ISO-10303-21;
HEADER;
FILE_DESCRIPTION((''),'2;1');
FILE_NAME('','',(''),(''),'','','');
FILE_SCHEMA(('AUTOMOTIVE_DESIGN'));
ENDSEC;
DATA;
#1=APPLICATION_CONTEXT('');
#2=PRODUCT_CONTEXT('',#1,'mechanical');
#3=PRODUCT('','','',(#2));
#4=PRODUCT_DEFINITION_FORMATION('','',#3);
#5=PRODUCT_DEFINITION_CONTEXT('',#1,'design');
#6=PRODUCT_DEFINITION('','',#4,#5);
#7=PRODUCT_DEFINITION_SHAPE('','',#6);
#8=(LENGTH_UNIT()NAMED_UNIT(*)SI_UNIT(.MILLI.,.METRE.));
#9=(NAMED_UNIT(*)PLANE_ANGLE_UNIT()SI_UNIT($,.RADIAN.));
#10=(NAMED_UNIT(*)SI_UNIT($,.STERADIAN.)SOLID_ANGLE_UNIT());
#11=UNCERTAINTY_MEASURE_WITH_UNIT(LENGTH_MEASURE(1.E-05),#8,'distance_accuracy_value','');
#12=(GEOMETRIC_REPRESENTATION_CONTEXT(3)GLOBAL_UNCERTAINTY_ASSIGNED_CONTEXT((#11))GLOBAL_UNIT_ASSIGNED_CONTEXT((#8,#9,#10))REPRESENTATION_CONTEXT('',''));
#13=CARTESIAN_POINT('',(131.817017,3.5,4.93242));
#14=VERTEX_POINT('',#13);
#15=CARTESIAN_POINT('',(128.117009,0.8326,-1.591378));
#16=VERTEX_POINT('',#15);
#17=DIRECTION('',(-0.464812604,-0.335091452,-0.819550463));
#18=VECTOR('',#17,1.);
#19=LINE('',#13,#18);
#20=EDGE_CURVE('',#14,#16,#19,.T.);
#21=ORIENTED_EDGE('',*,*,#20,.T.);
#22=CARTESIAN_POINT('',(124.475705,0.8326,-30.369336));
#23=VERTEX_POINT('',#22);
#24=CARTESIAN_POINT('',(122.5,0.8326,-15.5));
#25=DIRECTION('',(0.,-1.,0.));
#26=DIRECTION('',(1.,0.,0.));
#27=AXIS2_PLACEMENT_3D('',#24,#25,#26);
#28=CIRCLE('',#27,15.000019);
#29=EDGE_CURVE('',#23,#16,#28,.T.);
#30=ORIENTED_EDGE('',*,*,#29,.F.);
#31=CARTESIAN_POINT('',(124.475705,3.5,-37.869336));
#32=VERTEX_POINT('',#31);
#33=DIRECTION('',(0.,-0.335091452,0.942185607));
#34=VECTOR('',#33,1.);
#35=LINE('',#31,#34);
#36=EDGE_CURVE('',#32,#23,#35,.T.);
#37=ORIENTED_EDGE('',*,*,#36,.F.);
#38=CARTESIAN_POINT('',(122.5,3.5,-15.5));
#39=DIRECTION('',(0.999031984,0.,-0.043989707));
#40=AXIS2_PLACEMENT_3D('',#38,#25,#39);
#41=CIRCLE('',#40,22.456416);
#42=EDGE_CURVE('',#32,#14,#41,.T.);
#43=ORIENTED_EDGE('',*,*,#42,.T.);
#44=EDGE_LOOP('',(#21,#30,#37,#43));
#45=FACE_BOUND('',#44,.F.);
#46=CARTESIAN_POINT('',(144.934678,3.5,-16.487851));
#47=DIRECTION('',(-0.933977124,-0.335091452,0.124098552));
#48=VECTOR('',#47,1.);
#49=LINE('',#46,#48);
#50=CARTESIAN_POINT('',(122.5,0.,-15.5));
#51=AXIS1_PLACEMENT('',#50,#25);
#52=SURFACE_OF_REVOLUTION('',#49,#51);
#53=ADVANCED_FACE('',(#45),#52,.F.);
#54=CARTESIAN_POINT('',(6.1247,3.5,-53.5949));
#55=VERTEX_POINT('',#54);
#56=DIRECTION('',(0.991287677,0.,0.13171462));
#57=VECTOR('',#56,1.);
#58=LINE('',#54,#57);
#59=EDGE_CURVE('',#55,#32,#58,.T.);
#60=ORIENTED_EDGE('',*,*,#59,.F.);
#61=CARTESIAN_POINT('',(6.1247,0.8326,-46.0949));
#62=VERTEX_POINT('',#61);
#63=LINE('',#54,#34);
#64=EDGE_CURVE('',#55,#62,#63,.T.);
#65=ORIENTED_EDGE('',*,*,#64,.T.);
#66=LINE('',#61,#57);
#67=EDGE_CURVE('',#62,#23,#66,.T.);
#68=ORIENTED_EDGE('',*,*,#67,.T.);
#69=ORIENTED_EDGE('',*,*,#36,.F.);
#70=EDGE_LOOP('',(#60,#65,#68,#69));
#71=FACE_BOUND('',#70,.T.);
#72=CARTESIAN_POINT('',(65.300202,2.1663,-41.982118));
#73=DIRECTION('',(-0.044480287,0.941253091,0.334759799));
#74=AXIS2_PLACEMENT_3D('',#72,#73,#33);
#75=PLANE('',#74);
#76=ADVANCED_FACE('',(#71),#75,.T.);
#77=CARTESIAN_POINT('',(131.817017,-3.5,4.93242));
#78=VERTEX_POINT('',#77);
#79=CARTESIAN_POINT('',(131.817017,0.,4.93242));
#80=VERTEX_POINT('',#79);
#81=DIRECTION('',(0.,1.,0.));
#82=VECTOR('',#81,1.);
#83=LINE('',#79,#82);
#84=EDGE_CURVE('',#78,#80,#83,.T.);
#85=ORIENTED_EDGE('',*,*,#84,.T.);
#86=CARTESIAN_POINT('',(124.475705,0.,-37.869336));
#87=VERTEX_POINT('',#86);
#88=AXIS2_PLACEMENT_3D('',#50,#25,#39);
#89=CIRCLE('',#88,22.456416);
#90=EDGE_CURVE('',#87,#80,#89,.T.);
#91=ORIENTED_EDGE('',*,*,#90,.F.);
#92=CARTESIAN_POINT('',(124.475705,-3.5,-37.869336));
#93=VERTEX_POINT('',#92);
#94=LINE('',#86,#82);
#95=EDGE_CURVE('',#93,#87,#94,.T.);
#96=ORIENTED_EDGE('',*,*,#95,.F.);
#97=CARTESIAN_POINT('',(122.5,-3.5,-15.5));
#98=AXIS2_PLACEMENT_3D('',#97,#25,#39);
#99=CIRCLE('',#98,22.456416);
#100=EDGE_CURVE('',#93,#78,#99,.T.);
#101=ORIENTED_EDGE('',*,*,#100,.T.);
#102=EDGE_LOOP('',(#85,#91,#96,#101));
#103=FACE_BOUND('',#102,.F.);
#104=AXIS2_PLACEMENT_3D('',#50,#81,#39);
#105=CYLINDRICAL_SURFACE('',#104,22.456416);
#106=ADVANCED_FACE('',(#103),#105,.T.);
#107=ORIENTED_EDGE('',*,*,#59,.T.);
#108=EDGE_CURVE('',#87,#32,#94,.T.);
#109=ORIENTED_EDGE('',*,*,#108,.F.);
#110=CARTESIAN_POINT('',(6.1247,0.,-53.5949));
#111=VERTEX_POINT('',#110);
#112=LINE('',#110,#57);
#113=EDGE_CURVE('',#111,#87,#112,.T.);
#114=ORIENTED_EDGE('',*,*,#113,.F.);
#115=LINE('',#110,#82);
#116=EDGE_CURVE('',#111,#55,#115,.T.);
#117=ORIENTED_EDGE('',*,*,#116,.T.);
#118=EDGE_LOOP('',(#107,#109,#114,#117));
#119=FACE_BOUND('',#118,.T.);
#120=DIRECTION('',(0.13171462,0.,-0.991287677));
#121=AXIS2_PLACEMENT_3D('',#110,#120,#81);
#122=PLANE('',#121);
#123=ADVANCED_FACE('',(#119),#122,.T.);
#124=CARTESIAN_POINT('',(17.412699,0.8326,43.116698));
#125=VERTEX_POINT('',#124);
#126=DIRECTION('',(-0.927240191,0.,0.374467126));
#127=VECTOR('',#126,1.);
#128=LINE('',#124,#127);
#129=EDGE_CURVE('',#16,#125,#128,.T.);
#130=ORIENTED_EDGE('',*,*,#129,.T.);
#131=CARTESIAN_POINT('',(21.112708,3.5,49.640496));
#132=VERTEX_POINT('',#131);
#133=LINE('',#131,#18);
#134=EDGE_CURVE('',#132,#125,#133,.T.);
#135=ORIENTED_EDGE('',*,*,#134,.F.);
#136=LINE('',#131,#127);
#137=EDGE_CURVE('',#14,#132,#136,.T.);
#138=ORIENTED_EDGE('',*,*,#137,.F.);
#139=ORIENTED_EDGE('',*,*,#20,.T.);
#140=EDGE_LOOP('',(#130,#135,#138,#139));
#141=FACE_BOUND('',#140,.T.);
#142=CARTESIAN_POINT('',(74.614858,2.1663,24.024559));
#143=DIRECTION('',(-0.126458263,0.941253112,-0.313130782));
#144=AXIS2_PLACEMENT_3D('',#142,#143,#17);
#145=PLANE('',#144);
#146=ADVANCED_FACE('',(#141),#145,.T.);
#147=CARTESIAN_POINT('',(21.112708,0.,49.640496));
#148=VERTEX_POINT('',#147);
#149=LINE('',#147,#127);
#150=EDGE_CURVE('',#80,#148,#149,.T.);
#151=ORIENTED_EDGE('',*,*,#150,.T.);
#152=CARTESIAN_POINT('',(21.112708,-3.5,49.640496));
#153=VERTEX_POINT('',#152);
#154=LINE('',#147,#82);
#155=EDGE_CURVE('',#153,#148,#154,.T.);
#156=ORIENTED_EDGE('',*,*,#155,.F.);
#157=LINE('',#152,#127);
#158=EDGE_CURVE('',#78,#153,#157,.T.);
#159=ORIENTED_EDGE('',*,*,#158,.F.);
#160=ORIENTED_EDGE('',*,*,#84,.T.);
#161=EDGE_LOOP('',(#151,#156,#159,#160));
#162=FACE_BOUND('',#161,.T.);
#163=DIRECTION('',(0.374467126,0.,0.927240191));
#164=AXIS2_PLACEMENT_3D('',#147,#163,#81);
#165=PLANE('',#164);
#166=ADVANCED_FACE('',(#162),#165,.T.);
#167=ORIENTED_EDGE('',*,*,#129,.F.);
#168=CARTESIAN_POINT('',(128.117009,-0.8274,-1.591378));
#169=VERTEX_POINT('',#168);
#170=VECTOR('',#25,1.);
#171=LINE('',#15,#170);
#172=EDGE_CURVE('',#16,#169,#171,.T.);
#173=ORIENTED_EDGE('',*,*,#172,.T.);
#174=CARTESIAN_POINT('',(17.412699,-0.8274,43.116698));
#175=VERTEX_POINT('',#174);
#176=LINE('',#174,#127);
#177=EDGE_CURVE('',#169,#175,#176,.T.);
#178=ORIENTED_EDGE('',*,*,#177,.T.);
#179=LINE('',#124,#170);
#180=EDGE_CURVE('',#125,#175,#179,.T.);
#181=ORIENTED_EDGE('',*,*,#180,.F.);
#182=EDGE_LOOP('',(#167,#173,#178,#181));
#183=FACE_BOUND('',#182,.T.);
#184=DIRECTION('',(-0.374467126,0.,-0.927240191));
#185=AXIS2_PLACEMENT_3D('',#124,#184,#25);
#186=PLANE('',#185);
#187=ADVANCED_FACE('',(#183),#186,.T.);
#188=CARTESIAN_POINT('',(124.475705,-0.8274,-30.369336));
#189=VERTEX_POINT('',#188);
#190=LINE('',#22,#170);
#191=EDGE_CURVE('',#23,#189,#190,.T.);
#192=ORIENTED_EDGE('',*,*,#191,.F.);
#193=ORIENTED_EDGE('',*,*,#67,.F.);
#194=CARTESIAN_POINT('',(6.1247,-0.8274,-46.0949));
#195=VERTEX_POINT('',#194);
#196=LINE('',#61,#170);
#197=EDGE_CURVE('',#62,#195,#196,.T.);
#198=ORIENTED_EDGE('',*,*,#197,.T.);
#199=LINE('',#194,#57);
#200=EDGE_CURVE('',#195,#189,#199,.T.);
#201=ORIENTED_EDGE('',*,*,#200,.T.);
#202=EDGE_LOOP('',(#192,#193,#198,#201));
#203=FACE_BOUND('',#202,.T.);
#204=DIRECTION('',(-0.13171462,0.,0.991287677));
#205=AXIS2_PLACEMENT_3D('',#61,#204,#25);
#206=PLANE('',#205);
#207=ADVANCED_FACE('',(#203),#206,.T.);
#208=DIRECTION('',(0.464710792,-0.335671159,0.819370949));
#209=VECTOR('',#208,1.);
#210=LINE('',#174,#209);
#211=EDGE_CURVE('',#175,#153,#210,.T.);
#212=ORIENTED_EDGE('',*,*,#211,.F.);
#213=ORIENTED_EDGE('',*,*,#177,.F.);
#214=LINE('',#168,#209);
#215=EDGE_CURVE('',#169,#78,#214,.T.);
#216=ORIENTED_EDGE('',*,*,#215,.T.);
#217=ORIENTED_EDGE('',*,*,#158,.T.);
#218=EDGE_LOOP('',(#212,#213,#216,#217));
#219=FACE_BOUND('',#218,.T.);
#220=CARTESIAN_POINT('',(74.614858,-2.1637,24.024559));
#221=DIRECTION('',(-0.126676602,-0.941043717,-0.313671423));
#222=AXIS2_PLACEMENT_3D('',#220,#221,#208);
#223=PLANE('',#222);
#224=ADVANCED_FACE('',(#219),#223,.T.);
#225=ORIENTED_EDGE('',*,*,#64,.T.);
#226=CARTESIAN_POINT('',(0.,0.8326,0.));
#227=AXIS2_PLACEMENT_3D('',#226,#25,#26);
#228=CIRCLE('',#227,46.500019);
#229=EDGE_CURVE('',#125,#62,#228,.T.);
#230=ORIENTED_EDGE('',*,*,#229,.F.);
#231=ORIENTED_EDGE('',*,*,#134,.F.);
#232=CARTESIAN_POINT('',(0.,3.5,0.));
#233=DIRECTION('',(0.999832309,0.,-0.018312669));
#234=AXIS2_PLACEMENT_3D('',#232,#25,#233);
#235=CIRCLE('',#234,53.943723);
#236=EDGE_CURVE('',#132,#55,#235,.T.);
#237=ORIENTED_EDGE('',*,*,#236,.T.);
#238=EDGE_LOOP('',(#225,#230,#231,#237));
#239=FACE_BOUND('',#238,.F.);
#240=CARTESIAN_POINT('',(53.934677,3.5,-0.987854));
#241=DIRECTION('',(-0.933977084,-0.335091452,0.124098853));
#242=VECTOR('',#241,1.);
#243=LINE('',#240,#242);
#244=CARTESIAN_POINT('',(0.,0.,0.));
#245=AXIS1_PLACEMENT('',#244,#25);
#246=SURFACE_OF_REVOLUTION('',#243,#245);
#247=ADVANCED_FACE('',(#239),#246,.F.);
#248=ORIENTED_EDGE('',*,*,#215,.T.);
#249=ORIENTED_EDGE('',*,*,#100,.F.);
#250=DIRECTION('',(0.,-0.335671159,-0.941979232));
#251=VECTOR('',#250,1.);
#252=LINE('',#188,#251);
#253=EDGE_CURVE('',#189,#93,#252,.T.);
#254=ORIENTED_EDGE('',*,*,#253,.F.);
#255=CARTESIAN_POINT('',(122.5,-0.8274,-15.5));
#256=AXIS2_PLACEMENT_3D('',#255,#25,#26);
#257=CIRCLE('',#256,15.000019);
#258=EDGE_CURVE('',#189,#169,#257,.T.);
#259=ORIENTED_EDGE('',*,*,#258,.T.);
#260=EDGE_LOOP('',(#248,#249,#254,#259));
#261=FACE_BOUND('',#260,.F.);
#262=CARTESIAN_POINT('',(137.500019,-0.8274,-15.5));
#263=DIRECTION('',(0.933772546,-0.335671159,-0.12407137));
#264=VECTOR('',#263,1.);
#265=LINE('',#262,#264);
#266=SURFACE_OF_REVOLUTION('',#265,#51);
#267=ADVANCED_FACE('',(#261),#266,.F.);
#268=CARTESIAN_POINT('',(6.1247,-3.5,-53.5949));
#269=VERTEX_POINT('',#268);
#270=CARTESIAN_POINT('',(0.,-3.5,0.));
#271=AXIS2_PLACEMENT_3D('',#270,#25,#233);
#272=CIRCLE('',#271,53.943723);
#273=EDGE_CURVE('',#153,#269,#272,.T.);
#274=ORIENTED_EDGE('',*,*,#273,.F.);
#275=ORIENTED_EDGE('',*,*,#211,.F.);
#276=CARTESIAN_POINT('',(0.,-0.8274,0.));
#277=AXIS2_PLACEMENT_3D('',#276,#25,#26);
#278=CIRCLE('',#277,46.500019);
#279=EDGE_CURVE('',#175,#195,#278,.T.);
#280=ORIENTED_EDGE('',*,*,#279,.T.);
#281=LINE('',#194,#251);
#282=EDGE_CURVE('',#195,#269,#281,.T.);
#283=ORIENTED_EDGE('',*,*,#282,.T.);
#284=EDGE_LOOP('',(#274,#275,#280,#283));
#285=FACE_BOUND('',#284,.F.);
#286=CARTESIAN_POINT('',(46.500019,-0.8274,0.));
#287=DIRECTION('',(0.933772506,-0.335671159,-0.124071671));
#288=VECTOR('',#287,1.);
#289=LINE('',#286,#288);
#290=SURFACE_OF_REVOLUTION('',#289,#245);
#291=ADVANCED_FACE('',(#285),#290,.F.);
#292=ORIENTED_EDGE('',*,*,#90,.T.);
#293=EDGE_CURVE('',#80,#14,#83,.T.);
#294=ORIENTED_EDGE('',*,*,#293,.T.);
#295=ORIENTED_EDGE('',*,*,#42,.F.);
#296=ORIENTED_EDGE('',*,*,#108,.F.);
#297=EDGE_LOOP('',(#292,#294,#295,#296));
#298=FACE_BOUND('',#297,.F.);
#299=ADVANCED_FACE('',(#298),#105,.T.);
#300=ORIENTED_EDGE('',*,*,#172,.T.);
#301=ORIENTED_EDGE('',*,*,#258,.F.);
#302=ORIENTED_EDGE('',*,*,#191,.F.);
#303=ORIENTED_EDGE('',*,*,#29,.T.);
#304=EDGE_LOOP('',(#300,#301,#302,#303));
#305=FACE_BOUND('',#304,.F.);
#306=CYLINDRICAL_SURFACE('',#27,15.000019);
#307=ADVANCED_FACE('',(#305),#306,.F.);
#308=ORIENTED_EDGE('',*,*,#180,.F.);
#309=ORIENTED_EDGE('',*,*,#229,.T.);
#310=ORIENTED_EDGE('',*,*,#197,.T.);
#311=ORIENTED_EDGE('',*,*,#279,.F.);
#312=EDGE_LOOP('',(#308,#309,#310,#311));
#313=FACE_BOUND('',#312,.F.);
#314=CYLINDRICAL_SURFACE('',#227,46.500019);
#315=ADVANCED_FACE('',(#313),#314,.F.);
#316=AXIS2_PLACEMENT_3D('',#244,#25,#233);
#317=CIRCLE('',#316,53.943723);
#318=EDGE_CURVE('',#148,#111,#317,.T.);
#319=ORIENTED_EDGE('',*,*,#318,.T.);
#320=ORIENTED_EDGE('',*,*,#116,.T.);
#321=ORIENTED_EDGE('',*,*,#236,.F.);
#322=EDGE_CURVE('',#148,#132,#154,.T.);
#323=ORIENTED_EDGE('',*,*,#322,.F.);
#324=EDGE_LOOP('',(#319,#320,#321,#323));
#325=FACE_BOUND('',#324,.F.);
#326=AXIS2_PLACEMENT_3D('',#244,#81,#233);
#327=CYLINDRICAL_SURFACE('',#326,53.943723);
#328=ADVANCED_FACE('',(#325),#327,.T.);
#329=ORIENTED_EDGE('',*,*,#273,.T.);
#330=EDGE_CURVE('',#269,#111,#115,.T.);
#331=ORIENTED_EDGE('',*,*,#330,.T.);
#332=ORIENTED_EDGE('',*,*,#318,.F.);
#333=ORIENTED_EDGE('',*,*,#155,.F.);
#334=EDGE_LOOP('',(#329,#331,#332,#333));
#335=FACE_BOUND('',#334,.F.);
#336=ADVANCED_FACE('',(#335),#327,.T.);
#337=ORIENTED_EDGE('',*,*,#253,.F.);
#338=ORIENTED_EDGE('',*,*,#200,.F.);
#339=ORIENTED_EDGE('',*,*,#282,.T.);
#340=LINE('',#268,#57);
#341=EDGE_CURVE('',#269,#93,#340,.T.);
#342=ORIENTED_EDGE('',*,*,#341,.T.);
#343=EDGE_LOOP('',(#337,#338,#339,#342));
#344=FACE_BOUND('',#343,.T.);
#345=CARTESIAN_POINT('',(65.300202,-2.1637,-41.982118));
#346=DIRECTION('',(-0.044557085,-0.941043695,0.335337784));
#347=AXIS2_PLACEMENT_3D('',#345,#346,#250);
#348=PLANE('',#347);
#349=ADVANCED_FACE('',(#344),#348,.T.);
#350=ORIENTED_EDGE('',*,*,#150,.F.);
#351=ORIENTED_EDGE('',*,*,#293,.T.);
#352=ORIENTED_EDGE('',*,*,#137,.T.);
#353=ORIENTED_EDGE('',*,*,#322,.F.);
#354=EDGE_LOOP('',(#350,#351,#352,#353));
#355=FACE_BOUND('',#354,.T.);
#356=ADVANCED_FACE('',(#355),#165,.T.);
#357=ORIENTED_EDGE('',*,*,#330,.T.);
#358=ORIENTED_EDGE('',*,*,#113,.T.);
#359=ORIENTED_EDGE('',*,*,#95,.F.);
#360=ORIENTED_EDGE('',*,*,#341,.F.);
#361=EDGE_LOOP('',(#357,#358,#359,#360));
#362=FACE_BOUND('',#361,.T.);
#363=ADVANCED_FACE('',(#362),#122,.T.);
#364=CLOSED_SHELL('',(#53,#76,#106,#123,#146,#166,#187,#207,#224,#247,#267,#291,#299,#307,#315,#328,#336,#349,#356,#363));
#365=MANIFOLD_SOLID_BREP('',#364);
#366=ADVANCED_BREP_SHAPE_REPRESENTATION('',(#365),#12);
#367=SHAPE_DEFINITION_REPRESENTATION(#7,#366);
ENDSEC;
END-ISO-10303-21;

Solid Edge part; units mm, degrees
sketch "Sketch1" plane through (0, 0, 0) normal (0, -1, 0) x (1, 0, 0)
  line L0 (6.1247, -46.0949) -> (124.4757, -30.3693)
  line L1 (17.4127, 43.1167) -> (128.117, -1.5914)
  arc A0 (128.117, -1.5914) -> (124.4757, -30.3693) centre (122.5, -15.5) cw
  arc A1 (6.1247, -46.0949) -> (17.4127, 43.1167) centre (0, 0) cw
sketch "Sketch2" plane through (6.1247, 0, 0) normal (1, 0, 0) x (0, 1, 0)
  line L0 (0, -53.5949) -> (3.5, -53.5949)
  line L1 (3.5, -53.5949) -> (0.8326, -46.0949)
  line L2 (0.8326, -46.0949) -> (-0.8274, -46.0949)
  line L3 (-0.8274, -46.0949) -> (-3.5, -53.5949)
  line L4 (0, -53.5949) -> (-3.5, -53.5949)
sweep "SweptProtrusion_1" add profiles "Sketch2" path "Sketch1"
properties material "Silicone"
